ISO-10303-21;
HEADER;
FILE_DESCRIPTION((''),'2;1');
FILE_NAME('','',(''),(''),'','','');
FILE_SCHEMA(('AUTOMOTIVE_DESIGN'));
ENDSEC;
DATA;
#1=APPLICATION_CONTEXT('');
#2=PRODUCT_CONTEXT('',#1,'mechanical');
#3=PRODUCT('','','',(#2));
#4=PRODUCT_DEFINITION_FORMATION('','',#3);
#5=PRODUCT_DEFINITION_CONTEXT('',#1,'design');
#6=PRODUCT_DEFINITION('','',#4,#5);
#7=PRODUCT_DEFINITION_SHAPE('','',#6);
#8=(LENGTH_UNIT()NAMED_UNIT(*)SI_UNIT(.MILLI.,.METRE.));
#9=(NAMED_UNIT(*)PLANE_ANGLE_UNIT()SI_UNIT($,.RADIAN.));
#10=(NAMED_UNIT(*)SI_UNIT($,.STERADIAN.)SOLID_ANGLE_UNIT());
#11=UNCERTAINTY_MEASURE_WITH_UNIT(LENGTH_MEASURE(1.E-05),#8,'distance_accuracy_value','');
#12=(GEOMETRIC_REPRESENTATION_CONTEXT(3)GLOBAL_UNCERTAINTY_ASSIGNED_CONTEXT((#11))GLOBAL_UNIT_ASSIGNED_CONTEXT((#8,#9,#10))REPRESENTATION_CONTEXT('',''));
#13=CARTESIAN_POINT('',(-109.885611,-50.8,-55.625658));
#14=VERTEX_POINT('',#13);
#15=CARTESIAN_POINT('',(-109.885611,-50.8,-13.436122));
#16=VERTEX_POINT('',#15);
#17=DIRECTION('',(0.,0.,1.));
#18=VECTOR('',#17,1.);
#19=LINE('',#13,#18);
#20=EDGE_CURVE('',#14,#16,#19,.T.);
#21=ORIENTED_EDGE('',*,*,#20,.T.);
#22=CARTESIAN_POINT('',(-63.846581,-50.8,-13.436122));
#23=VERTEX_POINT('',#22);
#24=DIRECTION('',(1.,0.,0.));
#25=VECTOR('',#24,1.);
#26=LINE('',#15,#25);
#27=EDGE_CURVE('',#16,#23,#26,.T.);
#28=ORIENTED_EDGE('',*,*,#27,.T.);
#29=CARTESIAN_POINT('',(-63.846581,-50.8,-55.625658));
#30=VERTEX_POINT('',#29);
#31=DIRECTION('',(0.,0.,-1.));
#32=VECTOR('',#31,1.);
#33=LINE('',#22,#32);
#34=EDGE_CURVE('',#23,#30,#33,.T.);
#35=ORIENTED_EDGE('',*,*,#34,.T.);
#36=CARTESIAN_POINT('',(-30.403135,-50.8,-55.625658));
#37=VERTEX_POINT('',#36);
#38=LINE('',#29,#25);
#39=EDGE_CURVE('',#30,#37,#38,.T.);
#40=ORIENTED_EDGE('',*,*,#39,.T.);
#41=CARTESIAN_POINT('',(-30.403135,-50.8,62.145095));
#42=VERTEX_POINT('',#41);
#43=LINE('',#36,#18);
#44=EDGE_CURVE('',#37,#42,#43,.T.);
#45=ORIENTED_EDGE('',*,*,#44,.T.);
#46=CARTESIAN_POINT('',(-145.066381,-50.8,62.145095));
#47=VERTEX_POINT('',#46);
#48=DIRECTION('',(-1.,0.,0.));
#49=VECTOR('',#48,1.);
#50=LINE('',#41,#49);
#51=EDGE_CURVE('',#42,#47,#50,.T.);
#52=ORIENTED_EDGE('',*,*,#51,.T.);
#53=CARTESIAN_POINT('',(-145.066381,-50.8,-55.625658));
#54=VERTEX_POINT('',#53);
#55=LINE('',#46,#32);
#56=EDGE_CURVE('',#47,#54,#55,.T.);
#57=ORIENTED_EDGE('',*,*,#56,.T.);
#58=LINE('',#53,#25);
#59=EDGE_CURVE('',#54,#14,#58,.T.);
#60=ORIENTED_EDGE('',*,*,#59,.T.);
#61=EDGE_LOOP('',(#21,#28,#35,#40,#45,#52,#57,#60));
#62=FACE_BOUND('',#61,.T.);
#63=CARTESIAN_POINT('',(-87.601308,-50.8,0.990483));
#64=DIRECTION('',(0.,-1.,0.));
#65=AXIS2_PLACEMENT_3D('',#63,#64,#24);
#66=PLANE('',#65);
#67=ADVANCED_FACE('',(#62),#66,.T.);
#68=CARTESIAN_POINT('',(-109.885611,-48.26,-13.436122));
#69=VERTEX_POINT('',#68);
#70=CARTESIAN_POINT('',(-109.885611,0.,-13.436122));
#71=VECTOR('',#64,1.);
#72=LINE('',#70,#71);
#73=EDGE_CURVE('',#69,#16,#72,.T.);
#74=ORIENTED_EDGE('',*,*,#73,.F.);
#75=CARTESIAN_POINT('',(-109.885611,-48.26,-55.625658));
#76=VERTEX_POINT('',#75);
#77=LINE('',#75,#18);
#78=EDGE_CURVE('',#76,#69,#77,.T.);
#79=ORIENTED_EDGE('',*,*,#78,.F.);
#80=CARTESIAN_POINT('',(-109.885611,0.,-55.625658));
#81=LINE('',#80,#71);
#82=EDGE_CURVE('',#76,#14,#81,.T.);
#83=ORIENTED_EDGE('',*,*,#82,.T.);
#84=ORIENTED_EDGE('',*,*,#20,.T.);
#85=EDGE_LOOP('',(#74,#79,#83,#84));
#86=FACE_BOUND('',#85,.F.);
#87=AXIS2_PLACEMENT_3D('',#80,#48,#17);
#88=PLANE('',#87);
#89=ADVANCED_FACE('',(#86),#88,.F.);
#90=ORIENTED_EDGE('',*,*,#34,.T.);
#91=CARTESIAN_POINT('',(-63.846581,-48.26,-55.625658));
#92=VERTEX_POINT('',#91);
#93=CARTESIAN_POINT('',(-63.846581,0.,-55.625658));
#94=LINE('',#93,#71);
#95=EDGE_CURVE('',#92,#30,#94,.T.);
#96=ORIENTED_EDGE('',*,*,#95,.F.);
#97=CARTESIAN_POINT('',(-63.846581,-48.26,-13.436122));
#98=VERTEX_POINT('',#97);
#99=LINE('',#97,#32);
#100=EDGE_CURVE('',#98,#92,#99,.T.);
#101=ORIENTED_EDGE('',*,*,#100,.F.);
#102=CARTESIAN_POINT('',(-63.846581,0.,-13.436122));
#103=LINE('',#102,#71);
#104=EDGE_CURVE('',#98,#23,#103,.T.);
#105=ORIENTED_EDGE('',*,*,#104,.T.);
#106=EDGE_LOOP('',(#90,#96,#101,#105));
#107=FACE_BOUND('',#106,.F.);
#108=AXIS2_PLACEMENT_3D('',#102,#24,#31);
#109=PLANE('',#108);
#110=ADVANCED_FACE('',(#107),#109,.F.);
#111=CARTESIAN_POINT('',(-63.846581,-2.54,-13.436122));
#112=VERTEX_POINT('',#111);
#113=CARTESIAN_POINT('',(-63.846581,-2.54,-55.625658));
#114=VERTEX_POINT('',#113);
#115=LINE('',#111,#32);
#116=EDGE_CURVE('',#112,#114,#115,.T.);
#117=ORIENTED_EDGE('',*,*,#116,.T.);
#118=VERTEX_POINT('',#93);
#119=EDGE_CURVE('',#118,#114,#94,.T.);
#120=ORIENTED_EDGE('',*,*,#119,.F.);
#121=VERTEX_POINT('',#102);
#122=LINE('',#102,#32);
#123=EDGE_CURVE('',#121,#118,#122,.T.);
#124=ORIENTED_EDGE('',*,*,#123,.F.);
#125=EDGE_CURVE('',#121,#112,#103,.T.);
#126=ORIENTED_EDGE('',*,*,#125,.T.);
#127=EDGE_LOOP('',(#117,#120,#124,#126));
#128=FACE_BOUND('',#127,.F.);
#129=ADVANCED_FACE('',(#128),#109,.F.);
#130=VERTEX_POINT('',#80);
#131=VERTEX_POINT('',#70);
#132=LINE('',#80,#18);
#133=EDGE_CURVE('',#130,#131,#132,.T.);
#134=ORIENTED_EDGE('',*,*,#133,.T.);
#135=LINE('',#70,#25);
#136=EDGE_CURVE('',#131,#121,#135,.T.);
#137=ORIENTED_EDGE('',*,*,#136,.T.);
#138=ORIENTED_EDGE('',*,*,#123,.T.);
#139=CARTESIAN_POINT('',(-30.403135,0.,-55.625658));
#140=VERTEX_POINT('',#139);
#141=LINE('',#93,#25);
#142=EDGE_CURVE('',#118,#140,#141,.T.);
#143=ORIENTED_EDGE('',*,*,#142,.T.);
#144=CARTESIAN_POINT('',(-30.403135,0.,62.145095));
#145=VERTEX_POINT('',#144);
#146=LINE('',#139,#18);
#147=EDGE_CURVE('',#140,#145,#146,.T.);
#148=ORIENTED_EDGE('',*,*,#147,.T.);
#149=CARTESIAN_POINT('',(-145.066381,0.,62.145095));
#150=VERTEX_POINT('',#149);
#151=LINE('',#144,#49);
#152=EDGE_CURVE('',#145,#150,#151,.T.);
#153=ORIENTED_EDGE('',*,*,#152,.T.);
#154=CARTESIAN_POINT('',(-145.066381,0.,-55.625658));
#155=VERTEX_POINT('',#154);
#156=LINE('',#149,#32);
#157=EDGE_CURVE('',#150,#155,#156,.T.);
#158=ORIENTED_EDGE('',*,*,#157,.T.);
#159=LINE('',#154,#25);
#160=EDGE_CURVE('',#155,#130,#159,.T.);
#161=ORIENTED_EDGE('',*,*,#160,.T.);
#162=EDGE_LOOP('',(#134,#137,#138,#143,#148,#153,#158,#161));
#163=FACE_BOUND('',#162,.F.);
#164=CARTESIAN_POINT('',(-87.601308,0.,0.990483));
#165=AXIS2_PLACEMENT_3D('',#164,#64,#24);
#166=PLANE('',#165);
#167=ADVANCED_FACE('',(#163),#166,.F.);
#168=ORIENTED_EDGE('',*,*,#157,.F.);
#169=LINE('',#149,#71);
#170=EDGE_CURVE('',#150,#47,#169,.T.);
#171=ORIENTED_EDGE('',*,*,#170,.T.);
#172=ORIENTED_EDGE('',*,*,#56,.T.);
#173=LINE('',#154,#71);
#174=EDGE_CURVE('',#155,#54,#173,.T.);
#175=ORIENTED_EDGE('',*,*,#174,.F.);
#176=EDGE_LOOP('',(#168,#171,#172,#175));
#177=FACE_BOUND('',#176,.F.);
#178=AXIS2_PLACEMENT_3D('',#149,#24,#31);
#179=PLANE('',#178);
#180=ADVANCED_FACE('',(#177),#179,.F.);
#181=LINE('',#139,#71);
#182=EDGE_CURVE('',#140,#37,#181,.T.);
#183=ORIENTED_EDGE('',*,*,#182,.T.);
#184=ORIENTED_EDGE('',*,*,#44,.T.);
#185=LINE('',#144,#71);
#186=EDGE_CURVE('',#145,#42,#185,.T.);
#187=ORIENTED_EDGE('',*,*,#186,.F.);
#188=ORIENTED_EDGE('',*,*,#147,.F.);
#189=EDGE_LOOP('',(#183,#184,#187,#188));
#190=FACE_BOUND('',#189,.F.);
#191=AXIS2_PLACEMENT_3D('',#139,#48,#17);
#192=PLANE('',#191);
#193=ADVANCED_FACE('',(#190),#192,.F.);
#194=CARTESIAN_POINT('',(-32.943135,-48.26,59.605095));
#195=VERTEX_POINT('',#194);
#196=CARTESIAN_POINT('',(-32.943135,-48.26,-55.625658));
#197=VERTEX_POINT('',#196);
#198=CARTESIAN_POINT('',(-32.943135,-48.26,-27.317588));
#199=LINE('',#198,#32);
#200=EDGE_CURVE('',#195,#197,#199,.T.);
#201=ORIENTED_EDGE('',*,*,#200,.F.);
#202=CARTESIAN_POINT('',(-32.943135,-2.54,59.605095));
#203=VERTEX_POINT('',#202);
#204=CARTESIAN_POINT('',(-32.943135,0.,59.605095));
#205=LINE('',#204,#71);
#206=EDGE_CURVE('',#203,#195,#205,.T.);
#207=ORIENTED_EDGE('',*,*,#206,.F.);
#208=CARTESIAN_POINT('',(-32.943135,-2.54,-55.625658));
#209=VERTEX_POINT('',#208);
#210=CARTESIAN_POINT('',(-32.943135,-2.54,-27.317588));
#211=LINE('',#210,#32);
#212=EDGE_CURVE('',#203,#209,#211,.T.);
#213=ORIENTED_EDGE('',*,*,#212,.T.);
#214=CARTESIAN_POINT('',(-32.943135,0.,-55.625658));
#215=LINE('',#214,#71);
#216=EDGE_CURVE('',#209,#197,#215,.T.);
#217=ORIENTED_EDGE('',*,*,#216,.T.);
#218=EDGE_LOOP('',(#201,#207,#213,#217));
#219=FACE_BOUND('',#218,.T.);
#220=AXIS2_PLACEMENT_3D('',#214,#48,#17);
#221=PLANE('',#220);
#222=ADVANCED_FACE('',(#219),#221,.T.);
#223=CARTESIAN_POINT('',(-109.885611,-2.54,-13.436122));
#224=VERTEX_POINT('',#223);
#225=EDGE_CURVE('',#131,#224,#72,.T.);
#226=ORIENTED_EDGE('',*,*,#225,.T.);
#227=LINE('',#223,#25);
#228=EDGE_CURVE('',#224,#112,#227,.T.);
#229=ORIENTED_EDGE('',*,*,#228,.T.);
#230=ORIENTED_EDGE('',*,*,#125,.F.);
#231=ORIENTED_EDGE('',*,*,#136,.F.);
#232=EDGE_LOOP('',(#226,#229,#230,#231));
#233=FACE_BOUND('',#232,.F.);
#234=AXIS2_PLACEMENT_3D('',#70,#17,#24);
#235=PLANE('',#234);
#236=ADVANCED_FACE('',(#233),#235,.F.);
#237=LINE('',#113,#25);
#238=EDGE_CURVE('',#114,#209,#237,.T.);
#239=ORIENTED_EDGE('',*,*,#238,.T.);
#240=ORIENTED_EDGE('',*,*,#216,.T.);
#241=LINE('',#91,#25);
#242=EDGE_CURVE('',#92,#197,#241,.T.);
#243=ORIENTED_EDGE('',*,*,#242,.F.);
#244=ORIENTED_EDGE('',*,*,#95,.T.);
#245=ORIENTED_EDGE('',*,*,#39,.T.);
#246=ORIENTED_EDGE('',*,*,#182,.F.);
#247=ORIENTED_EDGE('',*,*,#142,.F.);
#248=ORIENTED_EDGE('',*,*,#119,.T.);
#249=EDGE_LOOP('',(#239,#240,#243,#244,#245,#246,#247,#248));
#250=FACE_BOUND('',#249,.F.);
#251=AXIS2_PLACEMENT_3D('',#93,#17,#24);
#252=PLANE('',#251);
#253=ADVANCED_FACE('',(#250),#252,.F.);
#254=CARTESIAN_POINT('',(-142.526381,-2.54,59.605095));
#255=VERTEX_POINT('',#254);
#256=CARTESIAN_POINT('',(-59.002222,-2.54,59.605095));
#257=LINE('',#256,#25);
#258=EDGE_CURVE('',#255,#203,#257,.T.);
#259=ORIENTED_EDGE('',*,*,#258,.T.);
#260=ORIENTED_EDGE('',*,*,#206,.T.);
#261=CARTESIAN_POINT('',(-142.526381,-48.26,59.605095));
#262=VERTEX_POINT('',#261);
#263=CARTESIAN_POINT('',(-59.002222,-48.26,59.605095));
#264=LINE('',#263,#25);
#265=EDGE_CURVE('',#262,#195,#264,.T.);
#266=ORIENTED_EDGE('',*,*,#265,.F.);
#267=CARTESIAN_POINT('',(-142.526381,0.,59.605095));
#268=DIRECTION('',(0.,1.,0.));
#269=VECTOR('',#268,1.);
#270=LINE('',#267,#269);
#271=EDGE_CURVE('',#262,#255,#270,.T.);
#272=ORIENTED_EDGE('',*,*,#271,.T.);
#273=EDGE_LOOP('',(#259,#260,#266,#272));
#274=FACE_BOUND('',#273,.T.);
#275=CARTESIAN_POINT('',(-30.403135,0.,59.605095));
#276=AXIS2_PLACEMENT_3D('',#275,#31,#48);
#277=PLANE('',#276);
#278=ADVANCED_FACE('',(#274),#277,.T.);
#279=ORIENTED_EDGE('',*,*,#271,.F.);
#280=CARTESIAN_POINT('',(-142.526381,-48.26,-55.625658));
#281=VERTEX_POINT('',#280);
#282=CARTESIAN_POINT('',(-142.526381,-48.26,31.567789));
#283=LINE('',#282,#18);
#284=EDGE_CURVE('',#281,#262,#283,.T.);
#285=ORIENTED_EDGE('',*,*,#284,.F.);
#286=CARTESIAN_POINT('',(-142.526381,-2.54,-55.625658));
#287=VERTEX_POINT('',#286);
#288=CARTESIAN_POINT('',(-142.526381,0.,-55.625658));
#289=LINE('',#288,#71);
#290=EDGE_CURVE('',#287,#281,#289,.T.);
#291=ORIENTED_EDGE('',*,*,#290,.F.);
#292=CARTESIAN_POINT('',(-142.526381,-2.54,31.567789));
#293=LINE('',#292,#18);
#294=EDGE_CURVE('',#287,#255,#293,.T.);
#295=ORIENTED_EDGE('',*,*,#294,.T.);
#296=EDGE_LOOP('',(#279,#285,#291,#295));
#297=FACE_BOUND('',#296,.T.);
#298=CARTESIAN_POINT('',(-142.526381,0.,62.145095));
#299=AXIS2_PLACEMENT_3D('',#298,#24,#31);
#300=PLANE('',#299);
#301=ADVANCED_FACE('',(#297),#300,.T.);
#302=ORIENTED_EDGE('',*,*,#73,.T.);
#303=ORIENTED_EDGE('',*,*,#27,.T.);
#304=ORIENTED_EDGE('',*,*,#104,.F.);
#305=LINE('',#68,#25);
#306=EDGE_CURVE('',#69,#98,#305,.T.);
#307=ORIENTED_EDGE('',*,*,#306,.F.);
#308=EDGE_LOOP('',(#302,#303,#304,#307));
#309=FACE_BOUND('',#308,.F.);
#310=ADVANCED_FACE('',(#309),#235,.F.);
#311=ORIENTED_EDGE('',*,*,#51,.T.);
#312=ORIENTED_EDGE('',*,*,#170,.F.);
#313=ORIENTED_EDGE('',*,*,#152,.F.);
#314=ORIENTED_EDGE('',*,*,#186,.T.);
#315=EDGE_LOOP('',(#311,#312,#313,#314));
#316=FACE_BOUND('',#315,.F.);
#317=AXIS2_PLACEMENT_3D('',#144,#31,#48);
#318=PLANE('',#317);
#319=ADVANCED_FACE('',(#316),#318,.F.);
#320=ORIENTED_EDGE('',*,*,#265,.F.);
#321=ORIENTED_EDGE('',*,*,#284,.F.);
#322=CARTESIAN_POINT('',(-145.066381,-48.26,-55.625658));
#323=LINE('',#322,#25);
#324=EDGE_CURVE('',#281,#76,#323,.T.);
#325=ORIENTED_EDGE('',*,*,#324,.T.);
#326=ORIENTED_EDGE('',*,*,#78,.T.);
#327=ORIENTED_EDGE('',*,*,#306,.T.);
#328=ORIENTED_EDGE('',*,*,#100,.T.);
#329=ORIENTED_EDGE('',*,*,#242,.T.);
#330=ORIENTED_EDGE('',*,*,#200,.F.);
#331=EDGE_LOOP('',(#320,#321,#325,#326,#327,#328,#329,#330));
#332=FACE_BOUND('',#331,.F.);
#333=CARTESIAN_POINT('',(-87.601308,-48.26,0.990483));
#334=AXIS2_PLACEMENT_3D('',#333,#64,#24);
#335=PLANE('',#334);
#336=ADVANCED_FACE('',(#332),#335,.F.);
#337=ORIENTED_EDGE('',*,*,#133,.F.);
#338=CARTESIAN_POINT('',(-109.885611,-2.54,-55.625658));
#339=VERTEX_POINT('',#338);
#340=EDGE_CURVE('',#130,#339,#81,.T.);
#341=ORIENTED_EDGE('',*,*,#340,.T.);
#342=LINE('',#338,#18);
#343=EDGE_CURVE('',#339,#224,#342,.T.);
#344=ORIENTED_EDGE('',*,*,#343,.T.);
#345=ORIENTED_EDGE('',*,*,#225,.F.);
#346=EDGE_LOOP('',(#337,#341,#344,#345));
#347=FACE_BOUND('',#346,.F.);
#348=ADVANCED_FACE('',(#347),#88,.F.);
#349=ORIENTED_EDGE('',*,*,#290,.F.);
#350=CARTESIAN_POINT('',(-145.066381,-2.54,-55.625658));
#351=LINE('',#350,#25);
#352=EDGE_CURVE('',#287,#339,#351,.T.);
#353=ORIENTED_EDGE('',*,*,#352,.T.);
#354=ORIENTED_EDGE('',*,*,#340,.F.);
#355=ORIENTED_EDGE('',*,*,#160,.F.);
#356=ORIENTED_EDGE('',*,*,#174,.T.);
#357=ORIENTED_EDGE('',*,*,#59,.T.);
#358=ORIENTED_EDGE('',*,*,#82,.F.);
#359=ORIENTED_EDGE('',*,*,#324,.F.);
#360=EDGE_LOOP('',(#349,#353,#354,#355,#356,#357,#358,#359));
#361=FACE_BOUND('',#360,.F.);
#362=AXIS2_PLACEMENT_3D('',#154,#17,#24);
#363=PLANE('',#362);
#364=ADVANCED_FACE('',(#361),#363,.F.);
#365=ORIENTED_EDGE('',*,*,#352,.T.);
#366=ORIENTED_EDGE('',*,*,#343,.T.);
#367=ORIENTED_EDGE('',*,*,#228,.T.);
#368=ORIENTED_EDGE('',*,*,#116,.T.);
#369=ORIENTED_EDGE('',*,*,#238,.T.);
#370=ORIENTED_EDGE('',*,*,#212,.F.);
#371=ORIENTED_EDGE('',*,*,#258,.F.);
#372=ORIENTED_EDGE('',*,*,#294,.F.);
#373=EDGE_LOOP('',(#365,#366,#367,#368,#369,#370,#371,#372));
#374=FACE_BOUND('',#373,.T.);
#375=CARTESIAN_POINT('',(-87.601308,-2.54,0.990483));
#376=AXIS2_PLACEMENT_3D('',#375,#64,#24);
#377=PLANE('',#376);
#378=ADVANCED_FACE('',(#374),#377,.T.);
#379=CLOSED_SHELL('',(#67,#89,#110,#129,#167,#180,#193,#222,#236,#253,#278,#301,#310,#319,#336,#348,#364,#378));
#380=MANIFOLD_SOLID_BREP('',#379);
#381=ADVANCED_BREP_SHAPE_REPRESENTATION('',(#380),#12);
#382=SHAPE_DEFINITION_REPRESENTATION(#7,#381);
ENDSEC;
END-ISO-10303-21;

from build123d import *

# Parameters (mm, degrees)
F1_DEPTH = 50.8
F2_T     = -2.54


with BuildPart() as f1:
    # F0 (on Front) → F1 (new body)
    with BuildSketch(Plane.XZ):
        Polygon((-30.403135, 62.145095), (-145.066381, 62.145095), (-145.066381, -55.625658), (-109.885611, -55.625658), (-109.885611, -13.436122), (-63.846581, -13.436122), (-63.846581, -55.625658), (-30.403135, -55.625658), align=None)
    extrude(amount=F1_DEPTH)

    # F2
    f2_openings = [f1.faces().sort_by_distance(p)[0] for p in [
        (-86.866096, -25.4, -13.436122),
        (-109.885611, -25.4, -34.53089),
        (-63.846581, -25.4, -34.53089),
        (-127.475996, -25.4, -55.625658),
        (-47.124858, -25.4, -55.625658),
    ]]
    offset(amount=F2_T, openings=f2_openings)


solid = f1.part
